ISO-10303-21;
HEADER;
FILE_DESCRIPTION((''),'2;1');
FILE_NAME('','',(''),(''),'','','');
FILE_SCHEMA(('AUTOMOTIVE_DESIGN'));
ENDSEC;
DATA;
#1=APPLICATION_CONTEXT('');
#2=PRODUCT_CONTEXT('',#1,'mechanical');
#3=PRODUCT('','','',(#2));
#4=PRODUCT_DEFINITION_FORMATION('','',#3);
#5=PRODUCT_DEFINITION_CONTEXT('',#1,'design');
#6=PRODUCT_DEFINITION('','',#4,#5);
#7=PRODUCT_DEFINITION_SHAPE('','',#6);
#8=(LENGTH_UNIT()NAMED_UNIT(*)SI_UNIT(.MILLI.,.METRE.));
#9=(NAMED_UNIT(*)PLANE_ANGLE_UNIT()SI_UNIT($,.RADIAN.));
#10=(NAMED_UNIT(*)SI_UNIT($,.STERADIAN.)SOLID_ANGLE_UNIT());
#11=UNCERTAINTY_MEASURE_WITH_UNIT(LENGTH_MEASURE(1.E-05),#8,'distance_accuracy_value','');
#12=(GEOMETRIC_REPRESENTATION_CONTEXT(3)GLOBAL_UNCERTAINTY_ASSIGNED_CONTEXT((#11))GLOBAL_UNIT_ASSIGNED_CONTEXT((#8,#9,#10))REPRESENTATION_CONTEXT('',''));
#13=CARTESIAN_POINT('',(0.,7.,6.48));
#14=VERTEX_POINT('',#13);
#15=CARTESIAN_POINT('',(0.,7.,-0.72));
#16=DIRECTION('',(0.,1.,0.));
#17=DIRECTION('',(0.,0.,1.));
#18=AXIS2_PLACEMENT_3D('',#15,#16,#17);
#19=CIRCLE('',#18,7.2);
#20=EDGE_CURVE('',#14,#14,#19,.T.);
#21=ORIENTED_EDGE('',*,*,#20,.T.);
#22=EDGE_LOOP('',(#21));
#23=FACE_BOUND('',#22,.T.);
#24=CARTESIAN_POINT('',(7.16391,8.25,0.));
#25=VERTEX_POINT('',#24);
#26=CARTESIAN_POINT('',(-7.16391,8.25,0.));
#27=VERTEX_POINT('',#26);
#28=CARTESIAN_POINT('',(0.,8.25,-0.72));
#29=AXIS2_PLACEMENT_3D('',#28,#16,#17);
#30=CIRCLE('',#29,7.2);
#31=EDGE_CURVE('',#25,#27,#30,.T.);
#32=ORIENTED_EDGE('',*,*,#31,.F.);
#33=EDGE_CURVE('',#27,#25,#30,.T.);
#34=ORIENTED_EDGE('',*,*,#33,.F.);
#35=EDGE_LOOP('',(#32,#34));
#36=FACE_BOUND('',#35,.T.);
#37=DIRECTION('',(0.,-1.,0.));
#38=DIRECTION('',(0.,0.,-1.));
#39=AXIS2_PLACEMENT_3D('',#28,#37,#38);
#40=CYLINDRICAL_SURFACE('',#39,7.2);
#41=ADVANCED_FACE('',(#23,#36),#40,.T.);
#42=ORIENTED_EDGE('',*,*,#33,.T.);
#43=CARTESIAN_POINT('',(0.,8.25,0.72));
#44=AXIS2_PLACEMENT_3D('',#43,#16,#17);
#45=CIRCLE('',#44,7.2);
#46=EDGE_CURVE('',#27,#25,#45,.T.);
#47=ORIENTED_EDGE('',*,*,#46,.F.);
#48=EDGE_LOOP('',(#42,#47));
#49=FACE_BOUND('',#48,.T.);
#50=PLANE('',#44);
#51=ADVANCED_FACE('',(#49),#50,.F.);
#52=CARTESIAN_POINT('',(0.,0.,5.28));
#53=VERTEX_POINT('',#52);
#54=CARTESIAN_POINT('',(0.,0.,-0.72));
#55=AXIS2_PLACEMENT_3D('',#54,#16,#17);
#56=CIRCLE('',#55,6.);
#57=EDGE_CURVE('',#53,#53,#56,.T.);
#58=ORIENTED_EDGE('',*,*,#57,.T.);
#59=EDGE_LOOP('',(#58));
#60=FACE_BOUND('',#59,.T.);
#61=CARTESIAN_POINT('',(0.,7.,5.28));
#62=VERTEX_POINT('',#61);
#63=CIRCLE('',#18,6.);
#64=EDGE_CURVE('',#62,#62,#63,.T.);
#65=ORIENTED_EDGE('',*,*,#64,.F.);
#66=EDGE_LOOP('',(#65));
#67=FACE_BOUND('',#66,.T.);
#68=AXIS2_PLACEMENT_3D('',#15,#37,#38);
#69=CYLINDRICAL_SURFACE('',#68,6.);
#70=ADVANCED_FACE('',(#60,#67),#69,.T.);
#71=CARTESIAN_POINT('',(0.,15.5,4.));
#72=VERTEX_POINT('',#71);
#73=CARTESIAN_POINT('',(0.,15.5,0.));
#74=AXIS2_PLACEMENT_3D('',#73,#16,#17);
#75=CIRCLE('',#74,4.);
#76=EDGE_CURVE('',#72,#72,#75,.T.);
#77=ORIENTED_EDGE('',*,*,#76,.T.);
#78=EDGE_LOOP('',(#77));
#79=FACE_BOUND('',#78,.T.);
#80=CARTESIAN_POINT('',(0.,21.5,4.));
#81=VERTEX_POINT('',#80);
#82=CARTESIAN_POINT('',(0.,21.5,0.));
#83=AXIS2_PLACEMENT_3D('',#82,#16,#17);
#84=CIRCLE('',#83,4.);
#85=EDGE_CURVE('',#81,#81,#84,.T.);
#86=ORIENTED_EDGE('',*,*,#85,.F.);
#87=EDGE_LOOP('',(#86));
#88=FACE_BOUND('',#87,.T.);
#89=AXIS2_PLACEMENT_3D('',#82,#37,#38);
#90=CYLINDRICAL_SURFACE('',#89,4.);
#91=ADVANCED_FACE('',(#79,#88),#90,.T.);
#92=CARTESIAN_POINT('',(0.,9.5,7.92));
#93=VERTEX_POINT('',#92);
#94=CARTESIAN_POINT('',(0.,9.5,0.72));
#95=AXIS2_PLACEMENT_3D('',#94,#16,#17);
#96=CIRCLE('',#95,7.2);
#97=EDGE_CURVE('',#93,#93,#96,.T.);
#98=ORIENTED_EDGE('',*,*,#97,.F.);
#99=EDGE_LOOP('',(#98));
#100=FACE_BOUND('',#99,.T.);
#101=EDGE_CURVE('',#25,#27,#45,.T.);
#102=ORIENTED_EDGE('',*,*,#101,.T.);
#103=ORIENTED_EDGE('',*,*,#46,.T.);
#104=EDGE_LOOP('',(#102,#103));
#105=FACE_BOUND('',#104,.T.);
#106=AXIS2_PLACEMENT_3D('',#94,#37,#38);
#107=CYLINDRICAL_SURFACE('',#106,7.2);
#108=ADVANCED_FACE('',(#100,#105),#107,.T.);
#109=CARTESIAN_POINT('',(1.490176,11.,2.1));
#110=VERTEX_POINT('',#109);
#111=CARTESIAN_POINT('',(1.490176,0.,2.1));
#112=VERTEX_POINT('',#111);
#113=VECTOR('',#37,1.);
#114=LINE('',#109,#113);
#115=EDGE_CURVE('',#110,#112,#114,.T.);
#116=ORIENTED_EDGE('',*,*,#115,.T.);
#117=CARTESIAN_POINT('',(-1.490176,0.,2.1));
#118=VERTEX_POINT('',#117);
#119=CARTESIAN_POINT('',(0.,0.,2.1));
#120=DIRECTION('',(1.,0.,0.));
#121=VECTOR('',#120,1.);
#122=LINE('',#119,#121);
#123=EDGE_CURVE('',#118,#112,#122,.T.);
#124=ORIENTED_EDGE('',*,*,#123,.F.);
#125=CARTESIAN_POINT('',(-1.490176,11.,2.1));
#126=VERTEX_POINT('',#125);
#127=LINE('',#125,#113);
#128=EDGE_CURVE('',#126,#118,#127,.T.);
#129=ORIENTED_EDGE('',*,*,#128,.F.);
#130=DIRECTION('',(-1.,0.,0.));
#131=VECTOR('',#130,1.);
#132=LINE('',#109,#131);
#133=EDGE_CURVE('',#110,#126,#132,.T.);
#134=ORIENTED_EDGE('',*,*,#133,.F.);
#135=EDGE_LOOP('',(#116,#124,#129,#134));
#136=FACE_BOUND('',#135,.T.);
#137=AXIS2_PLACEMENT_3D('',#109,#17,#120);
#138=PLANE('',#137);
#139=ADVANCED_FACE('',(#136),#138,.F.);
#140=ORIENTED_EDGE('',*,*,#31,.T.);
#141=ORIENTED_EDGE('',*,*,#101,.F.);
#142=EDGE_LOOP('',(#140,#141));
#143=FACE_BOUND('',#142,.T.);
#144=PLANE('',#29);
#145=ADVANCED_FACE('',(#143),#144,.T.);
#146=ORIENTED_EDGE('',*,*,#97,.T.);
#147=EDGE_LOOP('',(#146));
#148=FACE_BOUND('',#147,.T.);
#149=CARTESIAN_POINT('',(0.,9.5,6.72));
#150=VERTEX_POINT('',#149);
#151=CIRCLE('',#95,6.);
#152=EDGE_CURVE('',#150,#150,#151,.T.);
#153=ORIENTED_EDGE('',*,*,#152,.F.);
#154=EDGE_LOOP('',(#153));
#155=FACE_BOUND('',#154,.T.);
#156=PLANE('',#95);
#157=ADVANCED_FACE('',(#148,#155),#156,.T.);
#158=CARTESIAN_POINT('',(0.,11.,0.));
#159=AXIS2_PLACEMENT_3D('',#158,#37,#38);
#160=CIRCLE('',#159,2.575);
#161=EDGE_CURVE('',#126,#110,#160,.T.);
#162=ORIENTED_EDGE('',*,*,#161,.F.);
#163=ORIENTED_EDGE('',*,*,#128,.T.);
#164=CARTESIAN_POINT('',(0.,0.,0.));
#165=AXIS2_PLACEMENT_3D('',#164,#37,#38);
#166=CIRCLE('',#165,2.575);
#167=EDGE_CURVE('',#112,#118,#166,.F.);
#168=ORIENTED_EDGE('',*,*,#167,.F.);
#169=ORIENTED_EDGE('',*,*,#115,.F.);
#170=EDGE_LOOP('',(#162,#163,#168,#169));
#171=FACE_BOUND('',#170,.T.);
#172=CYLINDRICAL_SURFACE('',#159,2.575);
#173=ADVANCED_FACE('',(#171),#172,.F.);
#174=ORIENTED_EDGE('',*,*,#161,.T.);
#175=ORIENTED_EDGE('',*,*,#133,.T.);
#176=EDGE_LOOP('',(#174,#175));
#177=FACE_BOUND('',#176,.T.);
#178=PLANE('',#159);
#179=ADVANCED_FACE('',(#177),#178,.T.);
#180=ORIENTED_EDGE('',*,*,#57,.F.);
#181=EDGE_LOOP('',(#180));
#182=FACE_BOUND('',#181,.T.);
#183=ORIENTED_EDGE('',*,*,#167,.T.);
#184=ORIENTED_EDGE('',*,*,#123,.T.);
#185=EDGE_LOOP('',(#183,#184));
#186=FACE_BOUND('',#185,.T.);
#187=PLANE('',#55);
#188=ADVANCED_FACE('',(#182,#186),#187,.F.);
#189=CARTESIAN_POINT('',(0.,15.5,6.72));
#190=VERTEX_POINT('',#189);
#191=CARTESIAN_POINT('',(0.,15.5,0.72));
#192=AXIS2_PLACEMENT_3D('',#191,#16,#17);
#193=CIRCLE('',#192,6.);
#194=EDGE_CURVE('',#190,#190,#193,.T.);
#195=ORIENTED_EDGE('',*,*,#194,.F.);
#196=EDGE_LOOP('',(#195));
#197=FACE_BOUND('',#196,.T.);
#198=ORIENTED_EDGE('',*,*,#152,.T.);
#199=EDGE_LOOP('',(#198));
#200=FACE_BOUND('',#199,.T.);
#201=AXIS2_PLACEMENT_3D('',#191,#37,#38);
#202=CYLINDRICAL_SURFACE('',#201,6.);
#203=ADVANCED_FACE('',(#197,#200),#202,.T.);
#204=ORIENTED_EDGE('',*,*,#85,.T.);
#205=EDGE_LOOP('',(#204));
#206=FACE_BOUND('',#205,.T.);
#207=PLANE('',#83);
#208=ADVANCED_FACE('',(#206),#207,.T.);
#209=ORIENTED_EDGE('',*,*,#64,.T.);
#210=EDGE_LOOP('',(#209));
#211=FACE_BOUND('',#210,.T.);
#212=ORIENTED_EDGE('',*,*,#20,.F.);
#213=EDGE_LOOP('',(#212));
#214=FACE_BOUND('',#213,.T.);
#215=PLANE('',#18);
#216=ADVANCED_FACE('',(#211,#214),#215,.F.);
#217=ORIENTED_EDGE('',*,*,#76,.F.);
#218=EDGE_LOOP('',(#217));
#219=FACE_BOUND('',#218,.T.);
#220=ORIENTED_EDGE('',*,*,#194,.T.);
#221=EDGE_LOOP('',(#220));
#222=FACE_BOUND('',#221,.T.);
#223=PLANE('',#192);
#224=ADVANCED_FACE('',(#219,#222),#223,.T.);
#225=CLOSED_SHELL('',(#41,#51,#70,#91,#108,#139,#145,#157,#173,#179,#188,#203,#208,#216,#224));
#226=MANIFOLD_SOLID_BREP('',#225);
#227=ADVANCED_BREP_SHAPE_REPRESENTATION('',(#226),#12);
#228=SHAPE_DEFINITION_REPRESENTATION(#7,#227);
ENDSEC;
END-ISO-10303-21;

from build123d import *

# Parameters (mm, degrees)
SKETCH1_R               = 6
BOSS_EXTRUDE1_DEPTH     = 7
SKETCH2_R               = 7.2
BOSS_EXTRUDE2_DEPTH     = 1.25
SKETCH3_R               = 7.2
BOSS_EXTRUDE3_DEPTH     = 1.25
SKETCH4_R               = 6
BOSS_EXTRUDE4_DEPTH     = 6
CUT_EXTRUDE2_DEPTH      = 19.836570813
CUT_EXTRUDE2_DEPTH_BACK = 11
SKETCH6_R               = 4
BOSS_EXTRUDE5_DEPTH     = 6


with BuildPart() as part:
    # Sketch1 → Boss-Extrude1 (new body)
    with BuildSketch(Plane(origin=(0, 0, 0), x_dir=(1, 0, 0), z_dir=(0, 1, 0))):
        with Locations(Location((0, 0.72, 0), (0, 0, 270))):
            Circle(SKETCH1_R)
    extrude(amount=BOSS_EXTRUDE1_DEPTH)

    # Sketch2 → Boss-Extrude2 (add)
    with BuildSketch(Plane(origin=(0, 7, 0), x_dir=(1, 0, 0), z_dir=(0, 1, 0))):
        with Locations(Location((0, 0.72, 0), (0, 0, 270))):
            Circle(SKETCH2_R)
    extrude(amount=BOSS_EXTRUDE2_DEPTH)

    # Sketch3 → Boss-Extrude3 (add)
    with BuildSketch(Plane(origin=(0, 8.25, 0), x_dir=(1, 0, 0), z_dir=(0, 1, 0))):
        with Locations(Location((0, -0.72, 0), (0, 0, 174.260829523))):
            Circle(SKETCH3_R)
    extrude(amount=BOSS_EXTRUDE3_DEPTH)

    # Sketch4 → Boss-Extrude4 (add)
    with BuildSketch(Plane(origin=(0, 9.5, 0), x_dir=(1, 0, 0), z_dir=(0, 1, 0))):
        with Locations(Location((0, -0.72, 0), (0, 0, 270))):
            Circle(SKETCH4_R)
    extrude(amount=BOSS_EXTRUDE4_DEPTH)

    # Sketch5 → Cut-Extrude2 (cut, two sides: drawn at the far end of the back side and taken through both)
    with BuildSketch(Plane.XZ.offset(-CUT_EXTRUDE2_DEPTH_BACK)):
        with BuildLine():
            Line((1.490176164, 2.1), (-1.490176164, 2.1))
            ThreePointArc((-1.490176164, 2.1), (0, -2.575), (1.490176164, 2.1))
        make_face()
    extrude(amount=CUT_EXTRUDE2_DEPTH + CUT_EXTRUDE2_DEPTH_BACK, mode=Mode.SUBTRACT)

    # Sketch6 → Boss-Extrude5 (add)
    with BuildSketch(Plane(origin=(0, 15.5, 0), x_dir=(1, 0, 0), z_dir=(0, 1, 0))):
        with Locations(Location((0, 0, 0), (0, 0, 270))):
            Circle(SKETCH6_R)
    extrude(amount=BOSS_EXTRUDE5_DEPTH)


solid = part.part
